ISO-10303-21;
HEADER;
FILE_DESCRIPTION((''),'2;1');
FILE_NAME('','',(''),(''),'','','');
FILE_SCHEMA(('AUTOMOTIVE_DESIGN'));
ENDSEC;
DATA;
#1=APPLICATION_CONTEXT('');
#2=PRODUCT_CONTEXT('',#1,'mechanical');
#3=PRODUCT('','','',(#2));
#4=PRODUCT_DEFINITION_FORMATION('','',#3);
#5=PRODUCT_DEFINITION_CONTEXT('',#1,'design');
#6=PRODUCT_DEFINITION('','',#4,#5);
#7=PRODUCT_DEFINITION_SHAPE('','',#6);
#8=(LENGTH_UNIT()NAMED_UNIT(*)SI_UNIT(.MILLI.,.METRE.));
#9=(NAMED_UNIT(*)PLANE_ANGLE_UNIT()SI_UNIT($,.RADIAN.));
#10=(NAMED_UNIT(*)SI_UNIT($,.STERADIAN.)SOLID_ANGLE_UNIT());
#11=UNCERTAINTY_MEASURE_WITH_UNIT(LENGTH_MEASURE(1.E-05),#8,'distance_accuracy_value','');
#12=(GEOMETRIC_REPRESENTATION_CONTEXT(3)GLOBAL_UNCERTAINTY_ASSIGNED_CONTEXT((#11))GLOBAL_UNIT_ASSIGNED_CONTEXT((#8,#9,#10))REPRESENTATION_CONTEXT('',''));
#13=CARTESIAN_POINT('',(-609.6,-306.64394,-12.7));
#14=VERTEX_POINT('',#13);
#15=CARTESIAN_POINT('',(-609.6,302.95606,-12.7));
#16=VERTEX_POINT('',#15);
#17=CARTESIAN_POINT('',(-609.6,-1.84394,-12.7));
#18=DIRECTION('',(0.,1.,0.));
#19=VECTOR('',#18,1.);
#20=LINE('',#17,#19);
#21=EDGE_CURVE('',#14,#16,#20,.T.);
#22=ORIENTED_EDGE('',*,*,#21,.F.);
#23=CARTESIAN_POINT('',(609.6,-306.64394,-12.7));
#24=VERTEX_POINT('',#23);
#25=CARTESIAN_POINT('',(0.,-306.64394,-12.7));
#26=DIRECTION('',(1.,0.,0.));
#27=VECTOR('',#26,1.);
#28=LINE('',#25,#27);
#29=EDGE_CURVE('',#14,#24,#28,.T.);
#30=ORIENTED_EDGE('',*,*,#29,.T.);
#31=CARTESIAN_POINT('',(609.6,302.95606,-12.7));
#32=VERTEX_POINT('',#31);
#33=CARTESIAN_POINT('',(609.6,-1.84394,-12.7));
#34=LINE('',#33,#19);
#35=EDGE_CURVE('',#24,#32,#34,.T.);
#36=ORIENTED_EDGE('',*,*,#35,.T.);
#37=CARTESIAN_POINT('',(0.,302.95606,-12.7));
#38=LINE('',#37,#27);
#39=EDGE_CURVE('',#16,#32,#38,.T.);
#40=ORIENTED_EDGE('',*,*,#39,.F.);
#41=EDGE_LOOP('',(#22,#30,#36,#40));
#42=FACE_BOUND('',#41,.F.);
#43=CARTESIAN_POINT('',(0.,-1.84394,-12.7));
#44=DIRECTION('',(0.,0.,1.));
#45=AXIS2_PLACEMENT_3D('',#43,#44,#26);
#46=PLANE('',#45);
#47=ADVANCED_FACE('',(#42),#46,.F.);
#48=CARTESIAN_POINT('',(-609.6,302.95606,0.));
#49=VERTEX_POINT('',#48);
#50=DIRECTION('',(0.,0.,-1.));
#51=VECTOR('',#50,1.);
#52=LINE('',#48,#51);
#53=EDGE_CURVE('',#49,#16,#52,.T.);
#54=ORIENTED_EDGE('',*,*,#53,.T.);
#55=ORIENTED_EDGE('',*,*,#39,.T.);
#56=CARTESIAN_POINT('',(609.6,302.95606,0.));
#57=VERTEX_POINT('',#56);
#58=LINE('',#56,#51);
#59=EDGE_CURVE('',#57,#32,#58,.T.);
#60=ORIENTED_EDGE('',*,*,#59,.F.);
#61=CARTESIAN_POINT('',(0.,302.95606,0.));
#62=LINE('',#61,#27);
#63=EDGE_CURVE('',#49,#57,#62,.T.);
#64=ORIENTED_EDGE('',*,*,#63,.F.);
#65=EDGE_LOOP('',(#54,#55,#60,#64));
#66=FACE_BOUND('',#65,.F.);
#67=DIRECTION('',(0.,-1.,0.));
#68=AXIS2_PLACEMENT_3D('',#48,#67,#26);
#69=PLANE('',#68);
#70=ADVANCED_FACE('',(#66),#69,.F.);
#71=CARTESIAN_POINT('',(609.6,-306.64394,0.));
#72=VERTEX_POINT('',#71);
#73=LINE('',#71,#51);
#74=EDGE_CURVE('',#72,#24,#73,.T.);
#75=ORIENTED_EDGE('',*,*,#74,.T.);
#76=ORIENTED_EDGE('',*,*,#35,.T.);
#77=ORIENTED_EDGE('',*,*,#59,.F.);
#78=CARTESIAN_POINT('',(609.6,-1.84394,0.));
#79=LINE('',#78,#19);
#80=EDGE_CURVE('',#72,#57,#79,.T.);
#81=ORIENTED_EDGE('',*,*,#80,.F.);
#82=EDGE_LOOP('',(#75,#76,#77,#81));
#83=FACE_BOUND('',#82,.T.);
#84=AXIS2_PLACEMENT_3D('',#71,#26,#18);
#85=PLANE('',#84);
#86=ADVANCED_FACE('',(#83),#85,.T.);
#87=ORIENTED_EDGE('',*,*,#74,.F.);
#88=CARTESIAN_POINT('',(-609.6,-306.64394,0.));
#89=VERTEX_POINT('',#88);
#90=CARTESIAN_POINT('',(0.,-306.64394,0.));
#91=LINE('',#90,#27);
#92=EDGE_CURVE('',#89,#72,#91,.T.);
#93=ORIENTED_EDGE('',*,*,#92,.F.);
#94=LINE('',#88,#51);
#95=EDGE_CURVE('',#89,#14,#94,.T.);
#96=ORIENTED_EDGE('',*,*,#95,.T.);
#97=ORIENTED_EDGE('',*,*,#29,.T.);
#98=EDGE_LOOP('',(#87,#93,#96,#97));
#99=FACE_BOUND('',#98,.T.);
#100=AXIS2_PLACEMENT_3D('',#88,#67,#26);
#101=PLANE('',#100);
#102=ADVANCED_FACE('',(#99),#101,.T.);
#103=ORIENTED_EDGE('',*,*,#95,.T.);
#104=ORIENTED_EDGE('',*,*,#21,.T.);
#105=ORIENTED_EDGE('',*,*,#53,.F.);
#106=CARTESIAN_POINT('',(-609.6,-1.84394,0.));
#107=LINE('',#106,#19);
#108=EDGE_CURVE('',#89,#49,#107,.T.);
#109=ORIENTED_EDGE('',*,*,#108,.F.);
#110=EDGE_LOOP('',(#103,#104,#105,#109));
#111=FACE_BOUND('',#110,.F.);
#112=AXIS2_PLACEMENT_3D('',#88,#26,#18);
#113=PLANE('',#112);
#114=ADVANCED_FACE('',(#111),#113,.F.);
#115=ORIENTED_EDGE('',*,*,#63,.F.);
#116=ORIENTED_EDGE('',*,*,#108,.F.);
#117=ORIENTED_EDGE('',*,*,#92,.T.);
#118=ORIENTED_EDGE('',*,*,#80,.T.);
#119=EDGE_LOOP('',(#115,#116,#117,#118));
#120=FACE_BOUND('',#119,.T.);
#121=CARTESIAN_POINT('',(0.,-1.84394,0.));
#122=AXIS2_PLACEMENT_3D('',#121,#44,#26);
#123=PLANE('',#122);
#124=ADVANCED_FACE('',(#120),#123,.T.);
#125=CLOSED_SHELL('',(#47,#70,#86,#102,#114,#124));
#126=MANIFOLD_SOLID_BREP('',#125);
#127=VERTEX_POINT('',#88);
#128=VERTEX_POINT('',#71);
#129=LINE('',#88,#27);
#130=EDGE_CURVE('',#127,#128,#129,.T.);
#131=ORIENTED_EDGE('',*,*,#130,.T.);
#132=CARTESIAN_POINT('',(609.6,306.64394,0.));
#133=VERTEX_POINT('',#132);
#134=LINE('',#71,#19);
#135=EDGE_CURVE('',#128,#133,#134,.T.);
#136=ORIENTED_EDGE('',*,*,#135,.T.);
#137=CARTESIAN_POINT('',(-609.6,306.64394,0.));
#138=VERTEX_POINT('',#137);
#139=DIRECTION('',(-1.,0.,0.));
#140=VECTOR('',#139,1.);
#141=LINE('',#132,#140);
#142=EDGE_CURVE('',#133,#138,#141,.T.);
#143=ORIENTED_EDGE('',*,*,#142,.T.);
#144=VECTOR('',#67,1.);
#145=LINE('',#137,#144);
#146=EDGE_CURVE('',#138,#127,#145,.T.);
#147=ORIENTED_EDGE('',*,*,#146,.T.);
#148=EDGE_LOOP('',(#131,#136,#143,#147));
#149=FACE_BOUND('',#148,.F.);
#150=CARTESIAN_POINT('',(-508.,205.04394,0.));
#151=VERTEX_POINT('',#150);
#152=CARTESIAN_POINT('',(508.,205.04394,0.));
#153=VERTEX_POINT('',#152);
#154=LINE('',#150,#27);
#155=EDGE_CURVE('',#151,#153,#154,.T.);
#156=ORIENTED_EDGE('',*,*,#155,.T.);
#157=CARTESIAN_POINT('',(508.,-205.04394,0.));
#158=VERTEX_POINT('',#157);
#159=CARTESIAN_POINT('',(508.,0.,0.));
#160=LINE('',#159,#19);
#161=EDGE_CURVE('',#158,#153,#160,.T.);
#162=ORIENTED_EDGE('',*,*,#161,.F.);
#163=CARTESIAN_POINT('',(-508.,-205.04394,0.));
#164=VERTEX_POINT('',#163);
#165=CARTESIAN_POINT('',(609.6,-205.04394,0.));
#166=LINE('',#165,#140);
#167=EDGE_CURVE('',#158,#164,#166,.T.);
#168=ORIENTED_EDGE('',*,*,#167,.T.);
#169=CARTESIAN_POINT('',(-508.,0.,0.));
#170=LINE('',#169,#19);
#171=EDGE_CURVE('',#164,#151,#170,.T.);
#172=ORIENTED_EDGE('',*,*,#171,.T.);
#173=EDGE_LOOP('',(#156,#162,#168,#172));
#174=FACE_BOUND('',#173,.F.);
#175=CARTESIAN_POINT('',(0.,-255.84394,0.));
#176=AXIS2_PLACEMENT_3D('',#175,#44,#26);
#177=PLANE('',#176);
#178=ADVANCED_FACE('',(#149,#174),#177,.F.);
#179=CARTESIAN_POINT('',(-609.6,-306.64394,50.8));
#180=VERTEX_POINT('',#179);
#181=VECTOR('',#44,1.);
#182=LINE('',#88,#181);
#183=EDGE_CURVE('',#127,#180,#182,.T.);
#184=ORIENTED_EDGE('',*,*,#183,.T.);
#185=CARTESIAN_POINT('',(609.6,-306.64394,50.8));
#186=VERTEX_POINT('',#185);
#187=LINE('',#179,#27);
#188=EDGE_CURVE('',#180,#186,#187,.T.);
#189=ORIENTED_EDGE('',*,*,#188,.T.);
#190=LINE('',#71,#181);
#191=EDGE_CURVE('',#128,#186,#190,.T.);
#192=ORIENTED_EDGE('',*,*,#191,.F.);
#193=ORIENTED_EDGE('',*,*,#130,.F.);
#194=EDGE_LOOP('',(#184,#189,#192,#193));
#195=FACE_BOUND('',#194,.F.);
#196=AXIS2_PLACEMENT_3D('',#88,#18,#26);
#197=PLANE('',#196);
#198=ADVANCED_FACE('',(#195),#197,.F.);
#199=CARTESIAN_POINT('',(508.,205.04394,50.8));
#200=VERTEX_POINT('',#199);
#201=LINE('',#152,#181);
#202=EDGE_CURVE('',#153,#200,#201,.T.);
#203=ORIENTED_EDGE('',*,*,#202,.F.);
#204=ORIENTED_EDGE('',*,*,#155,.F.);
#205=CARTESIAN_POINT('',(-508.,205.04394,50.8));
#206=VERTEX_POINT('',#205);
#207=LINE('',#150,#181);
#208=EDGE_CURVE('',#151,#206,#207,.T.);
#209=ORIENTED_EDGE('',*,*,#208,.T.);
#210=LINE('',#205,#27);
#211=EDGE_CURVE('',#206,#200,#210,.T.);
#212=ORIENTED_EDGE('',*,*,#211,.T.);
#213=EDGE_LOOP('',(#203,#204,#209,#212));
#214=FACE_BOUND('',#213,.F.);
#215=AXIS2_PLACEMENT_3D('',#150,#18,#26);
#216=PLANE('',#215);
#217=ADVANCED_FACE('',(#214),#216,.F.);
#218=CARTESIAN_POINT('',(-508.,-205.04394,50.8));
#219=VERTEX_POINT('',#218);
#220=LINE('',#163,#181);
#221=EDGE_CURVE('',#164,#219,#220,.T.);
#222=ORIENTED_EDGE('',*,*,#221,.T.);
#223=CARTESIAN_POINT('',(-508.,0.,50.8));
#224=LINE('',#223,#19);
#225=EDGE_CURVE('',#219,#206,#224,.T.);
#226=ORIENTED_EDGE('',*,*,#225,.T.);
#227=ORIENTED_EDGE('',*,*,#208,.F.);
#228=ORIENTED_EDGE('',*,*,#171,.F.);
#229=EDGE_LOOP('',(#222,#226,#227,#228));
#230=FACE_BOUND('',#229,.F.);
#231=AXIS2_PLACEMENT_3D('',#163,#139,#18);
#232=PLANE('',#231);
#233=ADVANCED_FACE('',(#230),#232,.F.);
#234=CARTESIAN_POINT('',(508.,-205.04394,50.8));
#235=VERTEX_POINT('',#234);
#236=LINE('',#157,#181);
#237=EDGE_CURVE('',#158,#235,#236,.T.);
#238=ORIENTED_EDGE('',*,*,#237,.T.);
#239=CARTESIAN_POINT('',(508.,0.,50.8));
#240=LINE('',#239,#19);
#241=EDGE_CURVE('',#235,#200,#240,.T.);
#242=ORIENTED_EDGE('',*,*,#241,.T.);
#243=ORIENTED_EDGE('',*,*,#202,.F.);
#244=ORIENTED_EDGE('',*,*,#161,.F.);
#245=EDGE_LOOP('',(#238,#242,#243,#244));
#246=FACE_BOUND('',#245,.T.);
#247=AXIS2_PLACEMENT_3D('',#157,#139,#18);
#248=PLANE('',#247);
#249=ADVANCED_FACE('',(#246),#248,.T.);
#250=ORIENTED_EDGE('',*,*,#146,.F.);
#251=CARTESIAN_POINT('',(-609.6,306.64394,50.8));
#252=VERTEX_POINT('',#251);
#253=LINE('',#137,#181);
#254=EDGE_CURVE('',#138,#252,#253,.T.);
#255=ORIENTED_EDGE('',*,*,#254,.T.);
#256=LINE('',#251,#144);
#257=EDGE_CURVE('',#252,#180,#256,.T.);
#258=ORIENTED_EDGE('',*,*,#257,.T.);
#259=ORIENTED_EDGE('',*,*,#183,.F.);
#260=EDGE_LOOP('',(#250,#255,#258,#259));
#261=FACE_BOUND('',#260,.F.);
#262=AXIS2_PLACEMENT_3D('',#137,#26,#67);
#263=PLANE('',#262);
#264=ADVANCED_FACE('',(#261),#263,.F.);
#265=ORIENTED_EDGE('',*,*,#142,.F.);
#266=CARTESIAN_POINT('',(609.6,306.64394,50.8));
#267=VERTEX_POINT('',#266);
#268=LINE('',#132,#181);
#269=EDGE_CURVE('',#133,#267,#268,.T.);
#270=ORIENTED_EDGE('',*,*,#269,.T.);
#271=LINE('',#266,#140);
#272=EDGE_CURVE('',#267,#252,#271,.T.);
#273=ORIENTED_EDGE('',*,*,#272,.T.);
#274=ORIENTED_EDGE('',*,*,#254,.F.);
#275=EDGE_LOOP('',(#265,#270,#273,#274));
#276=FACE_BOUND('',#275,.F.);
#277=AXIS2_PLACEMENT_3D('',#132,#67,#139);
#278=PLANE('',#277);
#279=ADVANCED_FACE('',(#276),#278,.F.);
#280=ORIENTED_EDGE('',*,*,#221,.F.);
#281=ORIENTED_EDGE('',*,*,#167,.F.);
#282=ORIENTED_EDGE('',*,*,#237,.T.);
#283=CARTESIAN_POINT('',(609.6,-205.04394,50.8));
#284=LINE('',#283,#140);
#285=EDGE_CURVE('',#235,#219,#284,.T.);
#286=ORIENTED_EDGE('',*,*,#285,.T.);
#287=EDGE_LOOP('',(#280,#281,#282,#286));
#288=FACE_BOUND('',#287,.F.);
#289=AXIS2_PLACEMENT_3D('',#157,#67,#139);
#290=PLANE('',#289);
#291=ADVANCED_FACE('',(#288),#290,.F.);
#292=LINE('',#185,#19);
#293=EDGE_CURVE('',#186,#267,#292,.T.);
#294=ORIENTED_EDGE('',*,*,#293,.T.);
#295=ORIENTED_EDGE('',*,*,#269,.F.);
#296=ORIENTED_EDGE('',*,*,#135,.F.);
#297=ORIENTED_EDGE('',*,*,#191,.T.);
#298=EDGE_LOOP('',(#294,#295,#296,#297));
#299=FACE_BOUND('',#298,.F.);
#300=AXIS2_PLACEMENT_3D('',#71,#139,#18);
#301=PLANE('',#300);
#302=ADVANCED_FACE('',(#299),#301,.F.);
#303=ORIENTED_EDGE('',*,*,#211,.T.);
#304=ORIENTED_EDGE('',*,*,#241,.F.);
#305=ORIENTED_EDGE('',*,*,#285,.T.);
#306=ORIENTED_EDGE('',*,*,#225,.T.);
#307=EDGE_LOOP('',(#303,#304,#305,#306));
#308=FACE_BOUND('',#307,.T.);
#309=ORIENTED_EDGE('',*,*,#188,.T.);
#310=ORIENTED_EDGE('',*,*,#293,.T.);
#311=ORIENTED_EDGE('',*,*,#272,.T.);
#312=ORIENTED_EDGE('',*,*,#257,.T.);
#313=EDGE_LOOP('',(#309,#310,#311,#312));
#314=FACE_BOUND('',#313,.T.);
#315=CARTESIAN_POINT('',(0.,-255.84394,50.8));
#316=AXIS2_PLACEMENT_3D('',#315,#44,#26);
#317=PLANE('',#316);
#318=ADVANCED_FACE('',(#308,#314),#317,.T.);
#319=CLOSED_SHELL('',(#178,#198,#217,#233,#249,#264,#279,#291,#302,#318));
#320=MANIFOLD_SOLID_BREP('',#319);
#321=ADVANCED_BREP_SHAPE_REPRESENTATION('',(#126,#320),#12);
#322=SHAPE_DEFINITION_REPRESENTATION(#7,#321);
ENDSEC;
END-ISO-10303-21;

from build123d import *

# Parameters (mm, degrees)
F0_W     = 1219.2
F0_H     = 609.6
F1_DEPTH = 12.7
F2_W     = 101.6
F2_H     = 410.08788
F3_DEPTH = 50.8


with BuildPart() as f1:
    # F0 (on Top) → F1 (new body)
    with BuildSketch(Plane.XY):
        with Locations((0, -1.84394)):
            Rectangle(F0_W, F0_H)
    extrude(amount=-F1_DEPTH)


with BuildPart() as f3:
    # F2 (on face) → F3 (new body)
    with BuildSketch(Plane.XY):
        Polygon((-609.6, -205.04394), (-609.6, -306.64394), (609.6, -306.64394), (609.6, -205.04394), (508, -205.04394), (-508, -205.04394), align=None)
        with Locations((-558.8, 0)):
            Rectangle(F2_W, F2_H)
        with Locations((558.8, 0)):
            Rectangle(F2_W, F2_H)
        Polygon((-609.6, 306.64394), (-609.6, 205.04394), (-508, 205.04394), (508, 205.04394), (609.6, 205.04394), (609.6, 306.64394), align=None)
    extrude(amount=F3_DEPTH)


solid = Compound([f1.part, f3.part])
